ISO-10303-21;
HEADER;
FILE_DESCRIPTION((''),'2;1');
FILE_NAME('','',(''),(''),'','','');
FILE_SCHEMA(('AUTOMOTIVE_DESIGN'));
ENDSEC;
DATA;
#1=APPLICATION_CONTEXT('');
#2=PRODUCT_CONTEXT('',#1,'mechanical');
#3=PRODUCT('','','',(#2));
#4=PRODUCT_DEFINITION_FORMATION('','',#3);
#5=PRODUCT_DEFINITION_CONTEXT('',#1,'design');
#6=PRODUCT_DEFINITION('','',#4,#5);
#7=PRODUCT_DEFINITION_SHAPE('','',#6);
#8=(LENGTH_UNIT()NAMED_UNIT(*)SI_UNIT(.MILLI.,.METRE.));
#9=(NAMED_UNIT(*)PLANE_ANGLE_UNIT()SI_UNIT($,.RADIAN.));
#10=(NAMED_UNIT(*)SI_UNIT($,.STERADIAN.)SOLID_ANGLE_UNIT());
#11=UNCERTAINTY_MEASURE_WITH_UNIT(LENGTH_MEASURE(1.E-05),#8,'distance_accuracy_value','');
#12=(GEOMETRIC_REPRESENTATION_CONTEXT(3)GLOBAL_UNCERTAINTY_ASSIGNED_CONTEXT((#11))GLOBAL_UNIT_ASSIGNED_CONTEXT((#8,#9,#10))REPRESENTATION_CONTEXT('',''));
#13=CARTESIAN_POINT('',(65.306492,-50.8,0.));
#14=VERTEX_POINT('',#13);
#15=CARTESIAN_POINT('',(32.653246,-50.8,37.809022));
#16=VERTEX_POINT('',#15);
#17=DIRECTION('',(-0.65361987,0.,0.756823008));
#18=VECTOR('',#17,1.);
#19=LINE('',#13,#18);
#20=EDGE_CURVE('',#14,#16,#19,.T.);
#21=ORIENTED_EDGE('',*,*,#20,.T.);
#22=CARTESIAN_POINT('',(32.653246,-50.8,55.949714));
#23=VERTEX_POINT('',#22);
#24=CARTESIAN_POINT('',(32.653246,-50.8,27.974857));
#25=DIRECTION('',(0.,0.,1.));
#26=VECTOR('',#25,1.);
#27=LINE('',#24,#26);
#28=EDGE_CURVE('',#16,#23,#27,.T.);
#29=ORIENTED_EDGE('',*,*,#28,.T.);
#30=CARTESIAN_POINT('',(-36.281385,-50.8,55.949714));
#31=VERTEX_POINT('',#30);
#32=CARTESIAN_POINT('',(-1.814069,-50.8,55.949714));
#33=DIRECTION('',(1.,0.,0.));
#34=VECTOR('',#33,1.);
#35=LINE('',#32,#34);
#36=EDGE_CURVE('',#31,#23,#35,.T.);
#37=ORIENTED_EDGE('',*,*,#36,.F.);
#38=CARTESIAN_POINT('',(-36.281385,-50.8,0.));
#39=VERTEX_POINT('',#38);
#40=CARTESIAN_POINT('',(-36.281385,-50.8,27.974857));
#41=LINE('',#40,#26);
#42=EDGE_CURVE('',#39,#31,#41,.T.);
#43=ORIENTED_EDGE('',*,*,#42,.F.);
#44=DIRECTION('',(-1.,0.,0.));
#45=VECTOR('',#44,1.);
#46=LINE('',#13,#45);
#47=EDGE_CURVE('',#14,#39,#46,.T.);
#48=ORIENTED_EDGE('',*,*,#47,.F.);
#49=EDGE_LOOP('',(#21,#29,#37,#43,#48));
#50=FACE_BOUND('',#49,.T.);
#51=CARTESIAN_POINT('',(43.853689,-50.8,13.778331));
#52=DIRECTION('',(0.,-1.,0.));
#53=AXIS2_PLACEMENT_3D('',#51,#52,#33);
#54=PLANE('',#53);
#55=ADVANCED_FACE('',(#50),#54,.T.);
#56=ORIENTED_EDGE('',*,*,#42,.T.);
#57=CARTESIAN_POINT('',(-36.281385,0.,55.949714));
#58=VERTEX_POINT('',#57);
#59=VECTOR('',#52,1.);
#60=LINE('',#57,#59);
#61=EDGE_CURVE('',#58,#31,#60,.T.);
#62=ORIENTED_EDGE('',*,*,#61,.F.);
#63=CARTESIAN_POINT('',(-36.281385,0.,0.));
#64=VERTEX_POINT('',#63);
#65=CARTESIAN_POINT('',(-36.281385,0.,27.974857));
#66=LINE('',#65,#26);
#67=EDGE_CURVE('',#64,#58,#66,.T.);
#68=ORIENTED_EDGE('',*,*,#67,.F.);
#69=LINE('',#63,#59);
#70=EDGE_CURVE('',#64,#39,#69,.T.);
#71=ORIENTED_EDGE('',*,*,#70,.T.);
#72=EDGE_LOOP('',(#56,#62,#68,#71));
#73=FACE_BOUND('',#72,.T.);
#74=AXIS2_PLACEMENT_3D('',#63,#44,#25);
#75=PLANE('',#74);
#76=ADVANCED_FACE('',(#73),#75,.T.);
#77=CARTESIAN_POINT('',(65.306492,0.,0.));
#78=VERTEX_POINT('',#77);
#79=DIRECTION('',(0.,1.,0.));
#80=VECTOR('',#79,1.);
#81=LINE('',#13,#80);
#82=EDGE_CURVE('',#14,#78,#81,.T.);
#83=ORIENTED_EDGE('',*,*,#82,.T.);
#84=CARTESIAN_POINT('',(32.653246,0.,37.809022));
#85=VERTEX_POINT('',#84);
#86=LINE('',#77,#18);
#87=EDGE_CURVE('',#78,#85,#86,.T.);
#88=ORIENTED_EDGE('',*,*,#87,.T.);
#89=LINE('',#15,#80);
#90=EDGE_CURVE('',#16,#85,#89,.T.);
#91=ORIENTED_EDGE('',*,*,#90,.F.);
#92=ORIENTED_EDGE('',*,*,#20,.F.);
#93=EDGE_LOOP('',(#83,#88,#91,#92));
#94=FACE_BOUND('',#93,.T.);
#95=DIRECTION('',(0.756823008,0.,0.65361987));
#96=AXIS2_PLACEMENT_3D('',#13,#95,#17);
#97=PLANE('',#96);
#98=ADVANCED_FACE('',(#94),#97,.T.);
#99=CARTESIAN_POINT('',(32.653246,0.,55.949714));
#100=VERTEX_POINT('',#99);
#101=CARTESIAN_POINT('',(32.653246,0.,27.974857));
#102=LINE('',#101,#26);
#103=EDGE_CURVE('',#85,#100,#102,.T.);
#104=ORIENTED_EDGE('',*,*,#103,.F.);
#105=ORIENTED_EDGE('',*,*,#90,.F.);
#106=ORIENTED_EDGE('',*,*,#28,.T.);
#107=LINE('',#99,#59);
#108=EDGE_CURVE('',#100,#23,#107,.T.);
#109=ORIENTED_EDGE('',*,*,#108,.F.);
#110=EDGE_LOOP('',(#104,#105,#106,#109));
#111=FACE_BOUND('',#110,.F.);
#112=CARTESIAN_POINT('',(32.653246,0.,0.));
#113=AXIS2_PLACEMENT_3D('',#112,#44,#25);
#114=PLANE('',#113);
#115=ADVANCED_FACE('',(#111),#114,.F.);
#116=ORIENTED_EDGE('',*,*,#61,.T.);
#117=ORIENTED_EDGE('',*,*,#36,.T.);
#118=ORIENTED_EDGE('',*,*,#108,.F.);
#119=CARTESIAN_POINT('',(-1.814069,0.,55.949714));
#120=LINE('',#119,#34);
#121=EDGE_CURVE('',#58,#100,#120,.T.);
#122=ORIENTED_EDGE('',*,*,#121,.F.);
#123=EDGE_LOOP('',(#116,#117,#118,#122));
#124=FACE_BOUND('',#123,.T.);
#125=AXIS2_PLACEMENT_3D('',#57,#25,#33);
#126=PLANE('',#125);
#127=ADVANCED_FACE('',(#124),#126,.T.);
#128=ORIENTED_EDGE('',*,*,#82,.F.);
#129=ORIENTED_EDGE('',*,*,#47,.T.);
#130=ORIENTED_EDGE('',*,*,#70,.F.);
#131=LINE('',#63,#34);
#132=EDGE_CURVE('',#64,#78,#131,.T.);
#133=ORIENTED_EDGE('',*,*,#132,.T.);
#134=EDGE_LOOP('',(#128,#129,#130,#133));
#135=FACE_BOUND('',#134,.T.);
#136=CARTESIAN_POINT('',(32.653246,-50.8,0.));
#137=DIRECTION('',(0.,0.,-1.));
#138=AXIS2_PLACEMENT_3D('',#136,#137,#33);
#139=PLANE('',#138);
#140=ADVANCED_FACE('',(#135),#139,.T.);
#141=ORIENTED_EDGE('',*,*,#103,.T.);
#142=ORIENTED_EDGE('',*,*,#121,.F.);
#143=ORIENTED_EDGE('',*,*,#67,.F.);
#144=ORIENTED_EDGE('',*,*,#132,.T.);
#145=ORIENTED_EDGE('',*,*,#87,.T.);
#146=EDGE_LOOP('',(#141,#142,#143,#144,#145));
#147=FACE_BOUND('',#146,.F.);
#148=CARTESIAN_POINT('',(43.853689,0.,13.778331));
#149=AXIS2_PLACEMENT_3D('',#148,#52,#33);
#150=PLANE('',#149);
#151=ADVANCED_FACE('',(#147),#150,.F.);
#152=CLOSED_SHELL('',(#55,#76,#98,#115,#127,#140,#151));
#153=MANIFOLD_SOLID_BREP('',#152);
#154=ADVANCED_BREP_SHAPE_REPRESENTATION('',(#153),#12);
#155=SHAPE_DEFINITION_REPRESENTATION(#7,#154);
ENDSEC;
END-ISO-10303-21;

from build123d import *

# Parameters (mm, degrees)
F0_W     = 68.9346306026
F0_H     = 55.9497140348
F1_DEPTH = 50.8
F3_DEPTH = 50.8


with BuildPart() as f1:
    # F0 (on Front) → F1 (new body)
    with BuildSketch(Plane.XZ):
        with Locations((-1.8140692264, 27.9748570174)):
            Rectangle(F0_W, F0_H)
    extrude(amount=F1_DEPTH)

    # F2 (on face) → F3 (join)
    with BuildSketch(Plane.XZ.offset(50.8)):
        Polygon((65.3064921498, 0), (32.6532460749, 37.809021771), (32.6532460749, 0), align=None)
    extrude(amount=-F3_DEPTH)


solid = f1.part
